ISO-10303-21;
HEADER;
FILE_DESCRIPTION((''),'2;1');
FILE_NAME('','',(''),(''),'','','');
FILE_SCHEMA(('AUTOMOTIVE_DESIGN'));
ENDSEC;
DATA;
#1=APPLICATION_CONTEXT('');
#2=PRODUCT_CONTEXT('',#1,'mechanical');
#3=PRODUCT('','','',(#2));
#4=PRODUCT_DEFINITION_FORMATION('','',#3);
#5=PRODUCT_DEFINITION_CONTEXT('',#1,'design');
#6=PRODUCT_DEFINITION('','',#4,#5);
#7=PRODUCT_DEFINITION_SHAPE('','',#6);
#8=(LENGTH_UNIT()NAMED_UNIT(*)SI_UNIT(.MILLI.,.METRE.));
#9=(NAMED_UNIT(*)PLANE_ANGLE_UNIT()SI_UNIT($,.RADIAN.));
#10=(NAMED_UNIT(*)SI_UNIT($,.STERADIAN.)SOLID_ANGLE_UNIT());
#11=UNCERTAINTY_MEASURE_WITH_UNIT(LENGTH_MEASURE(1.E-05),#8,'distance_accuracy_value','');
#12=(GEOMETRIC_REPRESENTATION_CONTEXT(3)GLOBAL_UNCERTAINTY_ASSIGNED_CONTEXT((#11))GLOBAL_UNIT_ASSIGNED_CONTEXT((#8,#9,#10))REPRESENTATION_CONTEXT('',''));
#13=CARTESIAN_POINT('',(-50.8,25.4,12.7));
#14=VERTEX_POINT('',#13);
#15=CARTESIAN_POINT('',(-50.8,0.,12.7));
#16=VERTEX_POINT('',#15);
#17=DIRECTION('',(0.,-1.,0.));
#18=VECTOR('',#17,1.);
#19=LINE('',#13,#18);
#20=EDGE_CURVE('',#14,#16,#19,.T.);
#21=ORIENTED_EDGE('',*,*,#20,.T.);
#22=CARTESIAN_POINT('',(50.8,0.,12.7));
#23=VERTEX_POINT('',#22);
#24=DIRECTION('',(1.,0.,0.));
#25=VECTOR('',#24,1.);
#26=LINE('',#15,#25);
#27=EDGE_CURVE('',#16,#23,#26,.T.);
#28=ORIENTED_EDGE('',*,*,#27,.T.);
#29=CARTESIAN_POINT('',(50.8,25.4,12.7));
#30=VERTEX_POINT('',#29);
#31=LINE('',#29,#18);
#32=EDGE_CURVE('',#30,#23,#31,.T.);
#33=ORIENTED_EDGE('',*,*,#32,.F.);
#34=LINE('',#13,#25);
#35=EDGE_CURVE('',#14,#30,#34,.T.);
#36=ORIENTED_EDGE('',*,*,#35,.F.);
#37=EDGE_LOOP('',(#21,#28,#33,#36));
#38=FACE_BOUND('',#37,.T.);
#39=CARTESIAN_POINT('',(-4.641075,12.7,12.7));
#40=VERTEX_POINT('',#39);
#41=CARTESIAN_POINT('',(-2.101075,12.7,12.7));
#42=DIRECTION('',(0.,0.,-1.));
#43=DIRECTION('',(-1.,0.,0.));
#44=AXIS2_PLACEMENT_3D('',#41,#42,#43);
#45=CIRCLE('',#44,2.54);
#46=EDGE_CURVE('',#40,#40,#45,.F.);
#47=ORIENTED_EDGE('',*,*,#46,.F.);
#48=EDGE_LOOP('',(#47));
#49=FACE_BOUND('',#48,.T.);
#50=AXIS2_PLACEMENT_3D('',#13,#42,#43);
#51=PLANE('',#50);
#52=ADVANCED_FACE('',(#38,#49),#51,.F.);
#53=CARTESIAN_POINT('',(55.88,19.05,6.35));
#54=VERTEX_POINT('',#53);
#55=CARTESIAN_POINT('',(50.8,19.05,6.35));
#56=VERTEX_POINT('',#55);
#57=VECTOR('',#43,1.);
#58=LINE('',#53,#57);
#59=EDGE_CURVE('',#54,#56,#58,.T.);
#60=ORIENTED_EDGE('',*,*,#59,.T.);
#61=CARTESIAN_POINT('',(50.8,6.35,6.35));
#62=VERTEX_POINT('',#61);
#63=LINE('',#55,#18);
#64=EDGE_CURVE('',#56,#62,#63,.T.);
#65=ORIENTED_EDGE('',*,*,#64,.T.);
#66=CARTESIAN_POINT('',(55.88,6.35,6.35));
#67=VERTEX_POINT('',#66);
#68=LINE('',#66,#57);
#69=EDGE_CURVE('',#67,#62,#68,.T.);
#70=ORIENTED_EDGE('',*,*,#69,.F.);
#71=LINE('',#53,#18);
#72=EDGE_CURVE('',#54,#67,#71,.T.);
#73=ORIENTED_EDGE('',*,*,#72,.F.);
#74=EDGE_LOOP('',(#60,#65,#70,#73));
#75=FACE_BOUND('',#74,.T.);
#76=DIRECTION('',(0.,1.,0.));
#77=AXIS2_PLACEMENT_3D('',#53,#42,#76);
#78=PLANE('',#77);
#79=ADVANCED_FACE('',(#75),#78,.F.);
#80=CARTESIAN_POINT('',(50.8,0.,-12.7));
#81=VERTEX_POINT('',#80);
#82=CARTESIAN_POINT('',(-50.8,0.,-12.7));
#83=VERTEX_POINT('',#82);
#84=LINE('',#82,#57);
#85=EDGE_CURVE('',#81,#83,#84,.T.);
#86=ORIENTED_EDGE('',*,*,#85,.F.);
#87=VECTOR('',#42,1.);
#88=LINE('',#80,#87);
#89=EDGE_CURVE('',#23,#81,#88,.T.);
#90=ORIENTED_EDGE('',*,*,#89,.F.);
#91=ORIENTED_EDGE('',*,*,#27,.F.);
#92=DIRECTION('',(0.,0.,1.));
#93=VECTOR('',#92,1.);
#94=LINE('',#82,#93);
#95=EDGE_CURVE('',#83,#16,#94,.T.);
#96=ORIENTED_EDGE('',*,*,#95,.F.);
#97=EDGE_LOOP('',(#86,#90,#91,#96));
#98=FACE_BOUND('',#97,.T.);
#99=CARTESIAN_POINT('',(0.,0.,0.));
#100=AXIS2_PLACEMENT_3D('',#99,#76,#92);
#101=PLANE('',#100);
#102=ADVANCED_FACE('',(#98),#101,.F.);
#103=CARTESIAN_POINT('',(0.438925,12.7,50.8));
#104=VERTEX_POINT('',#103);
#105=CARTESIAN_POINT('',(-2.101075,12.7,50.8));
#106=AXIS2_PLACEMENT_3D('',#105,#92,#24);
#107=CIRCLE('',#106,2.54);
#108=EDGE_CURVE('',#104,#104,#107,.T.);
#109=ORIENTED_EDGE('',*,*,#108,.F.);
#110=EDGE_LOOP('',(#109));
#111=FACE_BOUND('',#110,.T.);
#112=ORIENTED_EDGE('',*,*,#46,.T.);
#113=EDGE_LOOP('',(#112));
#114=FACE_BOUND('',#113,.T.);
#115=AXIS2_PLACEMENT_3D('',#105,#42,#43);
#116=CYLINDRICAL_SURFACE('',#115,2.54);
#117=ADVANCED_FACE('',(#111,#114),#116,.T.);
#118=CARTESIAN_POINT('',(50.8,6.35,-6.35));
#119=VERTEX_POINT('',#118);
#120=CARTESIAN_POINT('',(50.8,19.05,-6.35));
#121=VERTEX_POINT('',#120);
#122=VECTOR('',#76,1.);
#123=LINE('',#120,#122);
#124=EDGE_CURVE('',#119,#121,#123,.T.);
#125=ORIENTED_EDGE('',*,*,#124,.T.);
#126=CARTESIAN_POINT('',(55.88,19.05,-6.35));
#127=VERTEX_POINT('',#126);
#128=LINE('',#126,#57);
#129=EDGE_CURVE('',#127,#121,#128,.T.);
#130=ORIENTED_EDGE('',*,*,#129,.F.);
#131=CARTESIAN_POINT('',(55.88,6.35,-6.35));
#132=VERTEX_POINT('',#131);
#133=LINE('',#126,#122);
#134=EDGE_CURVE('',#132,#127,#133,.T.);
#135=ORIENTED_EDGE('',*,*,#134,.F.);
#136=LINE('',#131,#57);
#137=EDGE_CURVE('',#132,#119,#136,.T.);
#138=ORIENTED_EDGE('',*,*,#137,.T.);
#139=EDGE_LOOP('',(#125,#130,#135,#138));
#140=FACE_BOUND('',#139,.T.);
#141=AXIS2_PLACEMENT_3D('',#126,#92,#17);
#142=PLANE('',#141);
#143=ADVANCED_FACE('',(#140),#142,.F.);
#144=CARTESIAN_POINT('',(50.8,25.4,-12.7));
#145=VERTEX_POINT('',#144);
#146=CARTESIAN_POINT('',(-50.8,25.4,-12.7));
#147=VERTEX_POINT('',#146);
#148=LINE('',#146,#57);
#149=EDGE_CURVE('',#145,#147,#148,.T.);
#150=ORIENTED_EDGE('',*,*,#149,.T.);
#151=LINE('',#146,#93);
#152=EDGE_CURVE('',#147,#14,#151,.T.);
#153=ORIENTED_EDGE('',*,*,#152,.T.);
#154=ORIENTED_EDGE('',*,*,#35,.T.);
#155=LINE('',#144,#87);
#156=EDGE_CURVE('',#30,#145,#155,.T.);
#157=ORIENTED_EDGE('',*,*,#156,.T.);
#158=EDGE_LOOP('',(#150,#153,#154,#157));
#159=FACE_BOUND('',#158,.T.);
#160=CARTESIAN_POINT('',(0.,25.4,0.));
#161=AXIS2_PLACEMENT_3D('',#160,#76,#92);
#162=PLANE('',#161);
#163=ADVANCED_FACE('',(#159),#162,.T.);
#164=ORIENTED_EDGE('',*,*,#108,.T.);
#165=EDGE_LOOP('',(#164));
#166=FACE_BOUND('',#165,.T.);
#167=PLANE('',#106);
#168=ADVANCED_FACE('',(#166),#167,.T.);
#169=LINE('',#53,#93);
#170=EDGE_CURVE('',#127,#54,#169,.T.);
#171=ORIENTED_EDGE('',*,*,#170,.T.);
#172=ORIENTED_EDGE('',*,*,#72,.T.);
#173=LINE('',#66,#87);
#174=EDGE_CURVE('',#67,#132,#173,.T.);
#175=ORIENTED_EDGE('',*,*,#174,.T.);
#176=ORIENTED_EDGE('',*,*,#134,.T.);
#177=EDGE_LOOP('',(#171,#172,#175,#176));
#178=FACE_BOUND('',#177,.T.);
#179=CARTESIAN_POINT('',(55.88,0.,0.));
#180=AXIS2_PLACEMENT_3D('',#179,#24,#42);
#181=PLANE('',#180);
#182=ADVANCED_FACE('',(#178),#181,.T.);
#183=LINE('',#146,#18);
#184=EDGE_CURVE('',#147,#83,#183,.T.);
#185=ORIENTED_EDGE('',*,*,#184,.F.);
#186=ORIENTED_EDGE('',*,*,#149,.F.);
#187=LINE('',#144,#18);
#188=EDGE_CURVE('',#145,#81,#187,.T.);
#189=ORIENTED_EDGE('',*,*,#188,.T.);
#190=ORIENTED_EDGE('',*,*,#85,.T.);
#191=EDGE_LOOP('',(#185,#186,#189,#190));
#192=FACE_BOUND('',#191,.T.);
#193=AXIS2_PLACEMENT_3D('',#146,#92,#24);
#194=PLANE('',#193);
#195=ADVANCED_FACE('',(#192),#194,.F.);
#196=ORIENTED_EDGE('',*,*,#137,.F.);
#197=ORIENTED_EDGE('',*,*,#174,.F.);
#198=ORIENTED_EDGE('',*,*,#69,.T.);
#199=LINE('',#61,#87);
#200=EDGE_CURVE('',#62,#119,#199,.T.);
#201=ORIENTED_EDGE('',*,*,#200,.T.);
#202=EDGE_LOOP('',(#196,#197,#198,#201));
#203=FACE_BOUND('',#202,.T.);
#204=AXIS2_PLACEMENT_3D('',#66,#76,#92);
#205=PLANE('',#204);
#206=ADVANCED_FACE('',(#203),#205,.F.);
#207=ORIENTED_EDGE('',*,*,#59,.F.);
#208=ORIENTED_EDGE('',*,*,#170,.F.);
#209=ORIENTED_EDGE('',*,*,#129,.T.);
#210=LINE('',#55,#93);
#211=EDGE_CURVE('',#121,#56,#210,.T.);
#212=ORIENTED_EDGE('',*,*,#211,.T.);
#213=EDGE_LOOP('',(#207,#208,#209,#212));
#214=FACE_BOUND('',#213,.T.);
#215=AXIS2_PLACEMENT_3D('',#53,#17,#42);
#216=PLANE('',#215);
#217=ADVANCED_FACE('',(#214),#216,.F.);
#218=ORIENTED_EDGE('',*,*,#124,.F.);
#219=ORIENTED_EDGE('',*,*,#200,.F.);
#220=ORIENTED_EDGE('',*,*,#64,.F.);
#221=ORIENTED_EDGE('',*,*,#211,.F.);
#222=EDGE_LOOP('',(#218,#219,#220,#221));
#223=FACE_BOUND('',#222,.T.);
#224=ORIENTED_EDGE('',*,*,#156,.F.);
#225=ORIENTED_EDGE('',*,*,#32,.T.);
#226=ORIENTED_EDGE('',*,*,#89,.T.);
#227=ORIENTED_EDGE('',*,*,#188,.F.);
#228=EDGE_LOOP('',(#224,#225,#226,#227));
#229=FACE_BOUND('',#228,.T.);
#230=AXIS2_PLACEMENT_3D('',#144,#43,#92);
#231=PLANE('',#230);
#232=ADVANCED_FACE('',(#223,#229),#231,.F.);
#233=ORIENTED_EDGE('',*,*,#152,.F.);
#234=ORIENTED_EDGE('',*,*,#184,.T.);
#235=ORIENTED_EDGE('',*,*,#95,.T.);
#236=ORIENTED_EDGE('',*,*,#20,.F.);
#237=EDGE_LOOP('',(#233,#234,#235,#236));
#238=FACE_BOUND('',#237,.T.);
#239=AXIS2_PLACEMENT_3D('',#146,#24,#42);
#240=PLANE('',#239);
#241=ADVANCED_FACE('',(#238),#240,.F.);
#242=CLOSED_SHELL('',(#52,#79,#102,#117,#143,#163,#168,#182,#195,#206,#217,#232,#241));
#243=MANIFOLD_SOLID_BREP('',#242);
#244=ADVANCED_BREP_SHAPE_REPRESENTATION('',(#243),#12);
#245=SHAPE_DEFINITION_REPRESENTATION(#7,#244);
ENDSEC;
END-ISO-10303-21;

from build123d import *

# Parameters (mm, degrees)
SKETCH1_W           = 101.6
SKETCH1_H           = 25.4
BOSS_EXTRUDE1_DEPTH = 25.4
SKETCH2_W           = 12.7
SKETCH2_H           = 12.7
BOSS_EXTRUDE2_DEPTH = 5.08
SKETCH6_R           = 2.54
BOSS_EXTRUDE4_DEPTH = 38.1


with BuildPart() as part:
    # Sketch1 → Boss-Extrude1 (new body)
    with BuildSketch(Plane(origin=(0, 0, 0), x_dir=(1, 0, 0), z_dir=(0, 1, 0))):
        Rectangle(SKETCH1_W, SKETCH1_H)
    extrude(amount=BOSS_EXTRUDE1_DEPTH)

    # Sketch2 → Boss-Extrude2 (add)
    with BuildSketch(Plane(origin=(50.8, 0, 0), x_dir=(0, 0, -1), z_dir=(1, 0, 0))):
        with Locations((0, 12.7)):
            Rectangle(SKETCH2_W, SKETCH2_H)
    extrude(amount=BOSS_EXTRUDE2_DEPTH)

    # Sketch6 → Boss-Extrude4 (add)
    with BuildSketch(Plane.XY.offset(12.7)):
        with Locations((-2.101074924, 12.7)):
            Circle(SKETCH6_R)
    extrude(amount=BOSS_EXTRUDE4_DEPTH)


solid = part.part
